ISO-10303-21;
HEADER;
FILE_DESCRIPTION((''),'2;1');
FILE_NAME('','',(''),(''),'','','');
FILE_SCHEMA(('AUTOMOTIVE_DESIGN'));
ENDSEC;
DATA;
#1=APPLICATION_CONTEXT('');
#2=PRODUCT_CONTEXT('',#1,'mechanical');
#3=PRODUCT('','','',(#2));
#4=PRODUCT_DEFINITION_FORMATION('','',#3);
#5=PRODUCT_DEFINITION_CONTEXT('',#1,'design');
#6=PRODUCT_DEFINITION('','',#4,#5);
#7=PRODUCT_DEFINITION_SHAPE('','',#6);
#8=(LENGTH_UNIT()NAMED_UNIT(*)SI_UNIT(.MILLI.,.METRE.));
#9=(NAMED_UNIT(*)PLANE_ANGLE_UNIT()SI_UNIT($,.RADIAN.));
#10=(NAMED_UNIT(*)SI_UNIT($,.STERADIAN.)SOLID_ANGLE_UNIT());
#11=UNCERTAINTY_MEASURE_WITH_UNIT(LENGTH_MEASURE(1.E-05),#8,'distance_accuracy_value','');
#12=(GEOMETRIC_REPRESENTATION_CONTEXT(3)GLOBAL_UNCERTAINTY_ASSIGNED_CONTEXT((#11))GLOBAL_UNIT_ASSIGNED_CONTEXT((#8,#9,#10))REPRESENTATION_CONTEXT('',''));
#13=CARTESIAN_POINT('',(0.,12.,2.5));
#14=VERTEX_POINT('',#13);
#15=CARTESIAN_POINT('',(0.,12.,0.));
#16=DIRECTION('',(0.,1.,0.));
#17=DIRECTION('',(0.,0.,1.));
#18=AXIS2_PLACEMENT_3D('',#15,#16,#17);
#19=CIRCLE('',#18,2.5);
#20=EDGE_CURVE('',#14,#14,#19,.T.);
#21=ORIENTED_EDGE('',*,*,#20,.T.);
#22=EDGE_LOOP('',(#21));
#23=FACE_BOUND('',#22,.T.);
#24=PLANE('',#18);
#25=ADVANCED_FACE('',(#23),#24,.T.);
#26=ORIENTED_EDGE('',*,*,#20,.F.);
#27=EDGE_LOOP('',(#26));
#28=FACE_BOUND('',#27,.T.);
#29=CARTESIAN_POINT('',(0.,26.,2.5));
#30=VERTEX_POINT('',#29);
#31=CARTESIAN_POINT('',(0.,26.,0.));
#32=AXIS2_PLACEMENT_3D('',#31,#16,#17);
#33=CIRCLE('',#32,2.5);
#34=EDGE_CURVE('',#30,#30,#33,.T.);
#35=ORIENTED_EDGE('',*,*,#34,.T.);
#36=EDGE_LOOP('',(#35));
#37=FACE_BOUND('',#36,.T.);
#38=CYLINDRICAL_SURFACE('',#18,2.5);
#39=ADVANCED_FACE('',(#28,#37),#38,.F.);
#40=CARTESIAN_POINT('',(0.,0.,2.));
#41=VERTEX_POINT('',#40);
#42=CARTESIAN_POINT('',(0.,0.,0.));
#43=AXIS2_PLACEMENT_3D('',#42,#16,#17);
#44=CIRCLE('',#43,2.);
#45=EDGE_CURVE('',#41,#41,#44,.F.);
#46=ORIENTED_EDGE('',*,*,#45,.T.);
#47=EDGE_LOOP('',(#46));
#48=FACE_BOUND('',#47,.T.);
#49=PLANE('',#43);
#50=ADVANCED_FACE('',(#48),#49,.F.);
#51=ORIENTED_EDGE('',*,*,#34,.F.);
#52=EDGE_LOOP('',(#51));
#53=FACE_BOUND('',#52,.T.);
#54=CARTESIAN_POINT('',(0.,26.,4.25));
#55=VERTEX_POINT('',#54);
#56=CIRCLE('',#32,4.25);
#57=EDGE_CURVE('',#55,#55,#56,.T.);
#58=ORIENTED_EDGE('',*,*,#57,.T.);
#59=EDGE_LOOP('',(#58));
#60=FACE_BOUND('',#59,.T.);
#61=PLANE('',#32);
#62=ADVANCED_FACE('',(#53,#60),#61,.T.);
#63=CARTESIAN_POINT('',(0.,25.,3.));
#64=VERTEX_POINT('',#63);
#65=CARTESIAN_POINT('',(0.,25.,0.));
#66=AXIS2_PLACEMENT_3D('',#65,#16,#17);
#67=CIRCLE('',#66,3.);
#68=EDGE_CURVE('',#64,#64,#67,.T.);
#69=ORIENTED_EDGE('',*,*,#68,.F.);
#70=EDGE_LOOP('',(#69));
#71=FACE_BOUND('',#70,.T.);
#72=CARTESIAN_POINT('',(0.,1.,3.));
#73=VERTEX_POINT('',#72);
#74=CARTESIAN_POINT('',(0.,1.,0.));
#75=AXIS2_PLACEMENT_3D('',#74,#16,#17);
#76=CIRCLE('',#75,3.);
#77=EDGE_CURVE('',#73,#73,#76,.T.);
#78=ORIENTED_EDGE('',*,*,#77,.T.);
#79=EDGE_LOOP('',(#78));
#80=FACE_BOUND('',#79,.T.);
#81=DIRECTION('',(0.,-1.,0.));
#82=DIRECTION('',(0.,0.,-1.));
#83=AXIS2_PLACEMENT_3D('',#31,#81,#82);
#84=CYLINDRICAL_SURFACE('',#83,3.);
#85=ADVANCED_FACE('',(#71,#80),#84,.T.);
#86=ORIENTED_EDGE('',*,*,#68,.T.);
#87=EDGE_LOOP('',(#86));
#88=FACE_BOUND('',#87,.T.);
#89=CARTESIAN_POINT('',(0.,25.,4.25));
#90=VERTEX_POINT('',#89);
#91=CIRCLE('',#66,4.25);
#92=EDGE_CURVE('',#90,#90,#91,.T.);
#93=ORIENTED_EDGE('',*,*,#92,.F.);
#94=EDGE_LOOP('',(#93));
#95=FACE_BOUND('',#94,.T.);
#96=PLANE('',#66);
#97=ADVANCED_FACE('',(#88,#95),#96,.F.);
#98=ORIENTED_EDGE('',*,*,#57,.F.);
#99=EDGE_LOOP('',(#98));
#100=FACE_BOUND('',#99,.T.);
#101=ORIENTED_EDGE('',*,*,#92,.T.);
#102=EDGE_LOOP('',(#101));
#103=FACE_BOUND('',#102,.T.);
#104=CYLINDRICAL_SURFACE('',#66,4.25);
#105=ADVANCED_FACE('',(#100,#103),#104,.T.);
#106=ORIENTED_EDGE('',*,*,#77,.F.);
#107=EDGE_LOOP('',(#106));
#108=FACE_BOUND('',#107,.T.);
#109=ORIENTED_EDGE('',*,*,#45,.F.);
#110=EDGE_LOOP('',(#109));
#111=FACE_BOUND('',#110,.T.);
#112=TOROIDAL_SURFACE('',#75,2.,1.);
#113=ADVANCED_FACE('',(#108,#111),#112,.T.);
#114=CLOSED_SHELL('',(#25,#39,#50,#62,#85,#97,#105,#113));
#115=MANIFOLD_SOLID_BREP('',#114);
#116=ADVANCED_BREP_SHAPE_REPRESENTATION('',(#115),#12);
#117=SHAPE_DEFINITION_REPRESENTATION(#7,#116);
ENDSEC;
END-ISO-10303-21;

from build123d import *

# Parameters (mm, degrees)
SKETCH2_R           = 3
BOSS_EXTRUDE1_DEPTH = 26
SKETCH4_R           = 2.5
CUT_EXTRUDE1_DEPTH  = 14
FILLET3_R           = 1
BOSS_EXTRUDE2_START = -1
SKETCH5_R           = 4.25
SKETCH5_R_2         = 3
BOSS_EXTRUDE2_DEPTH = 1


with BuildPart() as part:
    # Sketch2 → Boss-Extrude1 (new body)
    with BuildSketch(Plane(origin=(0, 0, 0), x_dir=(1, 0, 0), z_dir=(0, 1, 0))):
        with Locations(Location((0, 0, 0), (0, 0, 270))):
            Circle(SKETCH2_R)
    extrude(amount=BOSS_EXTRUDE1_DEPTH)

    # Sketch4 → Cut-Extrude1 (cut)
    with BuildSketch(Plane(origin=(0, 26, 0), x_dir=(1, 0, 0), z_dir=(0, 1, 0))):
        with Locations(Location((0, 0, 0), (0, 0, 270))):
            Circle(SKETCH4_R)
    extrude(amount=-CUT_EXTRUDE1_DEPTH, mode=Mode.SUBTRACT)

    # Fillet3
    fillet3_edges = [part.edges().sort_by_distance(p)[0] for p in [
        (0, 0, -3),
    ]]
    fillet(fillet3_edges, radius=FILLET3_R)

    # Sketch5 → Boss-Extrude2 (add)
    with BuildSketch(Plane(origin=(0, 26, 0), x_dir=(1, 0, 0), z_dir=(0, 1, 0)).offset(BOSS_EXTRUDE2_START)):
        with Locations(Location((0, 0, 0), (0, 0, 270))):
            Circle(SKETCH5_R)
        with Locations(Location((0, 0, 0), (0, 0, 270))):
            Circle(SKETCH5_R_2, mode=Mode.SUBTRACT)
    extrude(amount=BOSS_EXTRUDE2_DEPTH)


solid = part.part
